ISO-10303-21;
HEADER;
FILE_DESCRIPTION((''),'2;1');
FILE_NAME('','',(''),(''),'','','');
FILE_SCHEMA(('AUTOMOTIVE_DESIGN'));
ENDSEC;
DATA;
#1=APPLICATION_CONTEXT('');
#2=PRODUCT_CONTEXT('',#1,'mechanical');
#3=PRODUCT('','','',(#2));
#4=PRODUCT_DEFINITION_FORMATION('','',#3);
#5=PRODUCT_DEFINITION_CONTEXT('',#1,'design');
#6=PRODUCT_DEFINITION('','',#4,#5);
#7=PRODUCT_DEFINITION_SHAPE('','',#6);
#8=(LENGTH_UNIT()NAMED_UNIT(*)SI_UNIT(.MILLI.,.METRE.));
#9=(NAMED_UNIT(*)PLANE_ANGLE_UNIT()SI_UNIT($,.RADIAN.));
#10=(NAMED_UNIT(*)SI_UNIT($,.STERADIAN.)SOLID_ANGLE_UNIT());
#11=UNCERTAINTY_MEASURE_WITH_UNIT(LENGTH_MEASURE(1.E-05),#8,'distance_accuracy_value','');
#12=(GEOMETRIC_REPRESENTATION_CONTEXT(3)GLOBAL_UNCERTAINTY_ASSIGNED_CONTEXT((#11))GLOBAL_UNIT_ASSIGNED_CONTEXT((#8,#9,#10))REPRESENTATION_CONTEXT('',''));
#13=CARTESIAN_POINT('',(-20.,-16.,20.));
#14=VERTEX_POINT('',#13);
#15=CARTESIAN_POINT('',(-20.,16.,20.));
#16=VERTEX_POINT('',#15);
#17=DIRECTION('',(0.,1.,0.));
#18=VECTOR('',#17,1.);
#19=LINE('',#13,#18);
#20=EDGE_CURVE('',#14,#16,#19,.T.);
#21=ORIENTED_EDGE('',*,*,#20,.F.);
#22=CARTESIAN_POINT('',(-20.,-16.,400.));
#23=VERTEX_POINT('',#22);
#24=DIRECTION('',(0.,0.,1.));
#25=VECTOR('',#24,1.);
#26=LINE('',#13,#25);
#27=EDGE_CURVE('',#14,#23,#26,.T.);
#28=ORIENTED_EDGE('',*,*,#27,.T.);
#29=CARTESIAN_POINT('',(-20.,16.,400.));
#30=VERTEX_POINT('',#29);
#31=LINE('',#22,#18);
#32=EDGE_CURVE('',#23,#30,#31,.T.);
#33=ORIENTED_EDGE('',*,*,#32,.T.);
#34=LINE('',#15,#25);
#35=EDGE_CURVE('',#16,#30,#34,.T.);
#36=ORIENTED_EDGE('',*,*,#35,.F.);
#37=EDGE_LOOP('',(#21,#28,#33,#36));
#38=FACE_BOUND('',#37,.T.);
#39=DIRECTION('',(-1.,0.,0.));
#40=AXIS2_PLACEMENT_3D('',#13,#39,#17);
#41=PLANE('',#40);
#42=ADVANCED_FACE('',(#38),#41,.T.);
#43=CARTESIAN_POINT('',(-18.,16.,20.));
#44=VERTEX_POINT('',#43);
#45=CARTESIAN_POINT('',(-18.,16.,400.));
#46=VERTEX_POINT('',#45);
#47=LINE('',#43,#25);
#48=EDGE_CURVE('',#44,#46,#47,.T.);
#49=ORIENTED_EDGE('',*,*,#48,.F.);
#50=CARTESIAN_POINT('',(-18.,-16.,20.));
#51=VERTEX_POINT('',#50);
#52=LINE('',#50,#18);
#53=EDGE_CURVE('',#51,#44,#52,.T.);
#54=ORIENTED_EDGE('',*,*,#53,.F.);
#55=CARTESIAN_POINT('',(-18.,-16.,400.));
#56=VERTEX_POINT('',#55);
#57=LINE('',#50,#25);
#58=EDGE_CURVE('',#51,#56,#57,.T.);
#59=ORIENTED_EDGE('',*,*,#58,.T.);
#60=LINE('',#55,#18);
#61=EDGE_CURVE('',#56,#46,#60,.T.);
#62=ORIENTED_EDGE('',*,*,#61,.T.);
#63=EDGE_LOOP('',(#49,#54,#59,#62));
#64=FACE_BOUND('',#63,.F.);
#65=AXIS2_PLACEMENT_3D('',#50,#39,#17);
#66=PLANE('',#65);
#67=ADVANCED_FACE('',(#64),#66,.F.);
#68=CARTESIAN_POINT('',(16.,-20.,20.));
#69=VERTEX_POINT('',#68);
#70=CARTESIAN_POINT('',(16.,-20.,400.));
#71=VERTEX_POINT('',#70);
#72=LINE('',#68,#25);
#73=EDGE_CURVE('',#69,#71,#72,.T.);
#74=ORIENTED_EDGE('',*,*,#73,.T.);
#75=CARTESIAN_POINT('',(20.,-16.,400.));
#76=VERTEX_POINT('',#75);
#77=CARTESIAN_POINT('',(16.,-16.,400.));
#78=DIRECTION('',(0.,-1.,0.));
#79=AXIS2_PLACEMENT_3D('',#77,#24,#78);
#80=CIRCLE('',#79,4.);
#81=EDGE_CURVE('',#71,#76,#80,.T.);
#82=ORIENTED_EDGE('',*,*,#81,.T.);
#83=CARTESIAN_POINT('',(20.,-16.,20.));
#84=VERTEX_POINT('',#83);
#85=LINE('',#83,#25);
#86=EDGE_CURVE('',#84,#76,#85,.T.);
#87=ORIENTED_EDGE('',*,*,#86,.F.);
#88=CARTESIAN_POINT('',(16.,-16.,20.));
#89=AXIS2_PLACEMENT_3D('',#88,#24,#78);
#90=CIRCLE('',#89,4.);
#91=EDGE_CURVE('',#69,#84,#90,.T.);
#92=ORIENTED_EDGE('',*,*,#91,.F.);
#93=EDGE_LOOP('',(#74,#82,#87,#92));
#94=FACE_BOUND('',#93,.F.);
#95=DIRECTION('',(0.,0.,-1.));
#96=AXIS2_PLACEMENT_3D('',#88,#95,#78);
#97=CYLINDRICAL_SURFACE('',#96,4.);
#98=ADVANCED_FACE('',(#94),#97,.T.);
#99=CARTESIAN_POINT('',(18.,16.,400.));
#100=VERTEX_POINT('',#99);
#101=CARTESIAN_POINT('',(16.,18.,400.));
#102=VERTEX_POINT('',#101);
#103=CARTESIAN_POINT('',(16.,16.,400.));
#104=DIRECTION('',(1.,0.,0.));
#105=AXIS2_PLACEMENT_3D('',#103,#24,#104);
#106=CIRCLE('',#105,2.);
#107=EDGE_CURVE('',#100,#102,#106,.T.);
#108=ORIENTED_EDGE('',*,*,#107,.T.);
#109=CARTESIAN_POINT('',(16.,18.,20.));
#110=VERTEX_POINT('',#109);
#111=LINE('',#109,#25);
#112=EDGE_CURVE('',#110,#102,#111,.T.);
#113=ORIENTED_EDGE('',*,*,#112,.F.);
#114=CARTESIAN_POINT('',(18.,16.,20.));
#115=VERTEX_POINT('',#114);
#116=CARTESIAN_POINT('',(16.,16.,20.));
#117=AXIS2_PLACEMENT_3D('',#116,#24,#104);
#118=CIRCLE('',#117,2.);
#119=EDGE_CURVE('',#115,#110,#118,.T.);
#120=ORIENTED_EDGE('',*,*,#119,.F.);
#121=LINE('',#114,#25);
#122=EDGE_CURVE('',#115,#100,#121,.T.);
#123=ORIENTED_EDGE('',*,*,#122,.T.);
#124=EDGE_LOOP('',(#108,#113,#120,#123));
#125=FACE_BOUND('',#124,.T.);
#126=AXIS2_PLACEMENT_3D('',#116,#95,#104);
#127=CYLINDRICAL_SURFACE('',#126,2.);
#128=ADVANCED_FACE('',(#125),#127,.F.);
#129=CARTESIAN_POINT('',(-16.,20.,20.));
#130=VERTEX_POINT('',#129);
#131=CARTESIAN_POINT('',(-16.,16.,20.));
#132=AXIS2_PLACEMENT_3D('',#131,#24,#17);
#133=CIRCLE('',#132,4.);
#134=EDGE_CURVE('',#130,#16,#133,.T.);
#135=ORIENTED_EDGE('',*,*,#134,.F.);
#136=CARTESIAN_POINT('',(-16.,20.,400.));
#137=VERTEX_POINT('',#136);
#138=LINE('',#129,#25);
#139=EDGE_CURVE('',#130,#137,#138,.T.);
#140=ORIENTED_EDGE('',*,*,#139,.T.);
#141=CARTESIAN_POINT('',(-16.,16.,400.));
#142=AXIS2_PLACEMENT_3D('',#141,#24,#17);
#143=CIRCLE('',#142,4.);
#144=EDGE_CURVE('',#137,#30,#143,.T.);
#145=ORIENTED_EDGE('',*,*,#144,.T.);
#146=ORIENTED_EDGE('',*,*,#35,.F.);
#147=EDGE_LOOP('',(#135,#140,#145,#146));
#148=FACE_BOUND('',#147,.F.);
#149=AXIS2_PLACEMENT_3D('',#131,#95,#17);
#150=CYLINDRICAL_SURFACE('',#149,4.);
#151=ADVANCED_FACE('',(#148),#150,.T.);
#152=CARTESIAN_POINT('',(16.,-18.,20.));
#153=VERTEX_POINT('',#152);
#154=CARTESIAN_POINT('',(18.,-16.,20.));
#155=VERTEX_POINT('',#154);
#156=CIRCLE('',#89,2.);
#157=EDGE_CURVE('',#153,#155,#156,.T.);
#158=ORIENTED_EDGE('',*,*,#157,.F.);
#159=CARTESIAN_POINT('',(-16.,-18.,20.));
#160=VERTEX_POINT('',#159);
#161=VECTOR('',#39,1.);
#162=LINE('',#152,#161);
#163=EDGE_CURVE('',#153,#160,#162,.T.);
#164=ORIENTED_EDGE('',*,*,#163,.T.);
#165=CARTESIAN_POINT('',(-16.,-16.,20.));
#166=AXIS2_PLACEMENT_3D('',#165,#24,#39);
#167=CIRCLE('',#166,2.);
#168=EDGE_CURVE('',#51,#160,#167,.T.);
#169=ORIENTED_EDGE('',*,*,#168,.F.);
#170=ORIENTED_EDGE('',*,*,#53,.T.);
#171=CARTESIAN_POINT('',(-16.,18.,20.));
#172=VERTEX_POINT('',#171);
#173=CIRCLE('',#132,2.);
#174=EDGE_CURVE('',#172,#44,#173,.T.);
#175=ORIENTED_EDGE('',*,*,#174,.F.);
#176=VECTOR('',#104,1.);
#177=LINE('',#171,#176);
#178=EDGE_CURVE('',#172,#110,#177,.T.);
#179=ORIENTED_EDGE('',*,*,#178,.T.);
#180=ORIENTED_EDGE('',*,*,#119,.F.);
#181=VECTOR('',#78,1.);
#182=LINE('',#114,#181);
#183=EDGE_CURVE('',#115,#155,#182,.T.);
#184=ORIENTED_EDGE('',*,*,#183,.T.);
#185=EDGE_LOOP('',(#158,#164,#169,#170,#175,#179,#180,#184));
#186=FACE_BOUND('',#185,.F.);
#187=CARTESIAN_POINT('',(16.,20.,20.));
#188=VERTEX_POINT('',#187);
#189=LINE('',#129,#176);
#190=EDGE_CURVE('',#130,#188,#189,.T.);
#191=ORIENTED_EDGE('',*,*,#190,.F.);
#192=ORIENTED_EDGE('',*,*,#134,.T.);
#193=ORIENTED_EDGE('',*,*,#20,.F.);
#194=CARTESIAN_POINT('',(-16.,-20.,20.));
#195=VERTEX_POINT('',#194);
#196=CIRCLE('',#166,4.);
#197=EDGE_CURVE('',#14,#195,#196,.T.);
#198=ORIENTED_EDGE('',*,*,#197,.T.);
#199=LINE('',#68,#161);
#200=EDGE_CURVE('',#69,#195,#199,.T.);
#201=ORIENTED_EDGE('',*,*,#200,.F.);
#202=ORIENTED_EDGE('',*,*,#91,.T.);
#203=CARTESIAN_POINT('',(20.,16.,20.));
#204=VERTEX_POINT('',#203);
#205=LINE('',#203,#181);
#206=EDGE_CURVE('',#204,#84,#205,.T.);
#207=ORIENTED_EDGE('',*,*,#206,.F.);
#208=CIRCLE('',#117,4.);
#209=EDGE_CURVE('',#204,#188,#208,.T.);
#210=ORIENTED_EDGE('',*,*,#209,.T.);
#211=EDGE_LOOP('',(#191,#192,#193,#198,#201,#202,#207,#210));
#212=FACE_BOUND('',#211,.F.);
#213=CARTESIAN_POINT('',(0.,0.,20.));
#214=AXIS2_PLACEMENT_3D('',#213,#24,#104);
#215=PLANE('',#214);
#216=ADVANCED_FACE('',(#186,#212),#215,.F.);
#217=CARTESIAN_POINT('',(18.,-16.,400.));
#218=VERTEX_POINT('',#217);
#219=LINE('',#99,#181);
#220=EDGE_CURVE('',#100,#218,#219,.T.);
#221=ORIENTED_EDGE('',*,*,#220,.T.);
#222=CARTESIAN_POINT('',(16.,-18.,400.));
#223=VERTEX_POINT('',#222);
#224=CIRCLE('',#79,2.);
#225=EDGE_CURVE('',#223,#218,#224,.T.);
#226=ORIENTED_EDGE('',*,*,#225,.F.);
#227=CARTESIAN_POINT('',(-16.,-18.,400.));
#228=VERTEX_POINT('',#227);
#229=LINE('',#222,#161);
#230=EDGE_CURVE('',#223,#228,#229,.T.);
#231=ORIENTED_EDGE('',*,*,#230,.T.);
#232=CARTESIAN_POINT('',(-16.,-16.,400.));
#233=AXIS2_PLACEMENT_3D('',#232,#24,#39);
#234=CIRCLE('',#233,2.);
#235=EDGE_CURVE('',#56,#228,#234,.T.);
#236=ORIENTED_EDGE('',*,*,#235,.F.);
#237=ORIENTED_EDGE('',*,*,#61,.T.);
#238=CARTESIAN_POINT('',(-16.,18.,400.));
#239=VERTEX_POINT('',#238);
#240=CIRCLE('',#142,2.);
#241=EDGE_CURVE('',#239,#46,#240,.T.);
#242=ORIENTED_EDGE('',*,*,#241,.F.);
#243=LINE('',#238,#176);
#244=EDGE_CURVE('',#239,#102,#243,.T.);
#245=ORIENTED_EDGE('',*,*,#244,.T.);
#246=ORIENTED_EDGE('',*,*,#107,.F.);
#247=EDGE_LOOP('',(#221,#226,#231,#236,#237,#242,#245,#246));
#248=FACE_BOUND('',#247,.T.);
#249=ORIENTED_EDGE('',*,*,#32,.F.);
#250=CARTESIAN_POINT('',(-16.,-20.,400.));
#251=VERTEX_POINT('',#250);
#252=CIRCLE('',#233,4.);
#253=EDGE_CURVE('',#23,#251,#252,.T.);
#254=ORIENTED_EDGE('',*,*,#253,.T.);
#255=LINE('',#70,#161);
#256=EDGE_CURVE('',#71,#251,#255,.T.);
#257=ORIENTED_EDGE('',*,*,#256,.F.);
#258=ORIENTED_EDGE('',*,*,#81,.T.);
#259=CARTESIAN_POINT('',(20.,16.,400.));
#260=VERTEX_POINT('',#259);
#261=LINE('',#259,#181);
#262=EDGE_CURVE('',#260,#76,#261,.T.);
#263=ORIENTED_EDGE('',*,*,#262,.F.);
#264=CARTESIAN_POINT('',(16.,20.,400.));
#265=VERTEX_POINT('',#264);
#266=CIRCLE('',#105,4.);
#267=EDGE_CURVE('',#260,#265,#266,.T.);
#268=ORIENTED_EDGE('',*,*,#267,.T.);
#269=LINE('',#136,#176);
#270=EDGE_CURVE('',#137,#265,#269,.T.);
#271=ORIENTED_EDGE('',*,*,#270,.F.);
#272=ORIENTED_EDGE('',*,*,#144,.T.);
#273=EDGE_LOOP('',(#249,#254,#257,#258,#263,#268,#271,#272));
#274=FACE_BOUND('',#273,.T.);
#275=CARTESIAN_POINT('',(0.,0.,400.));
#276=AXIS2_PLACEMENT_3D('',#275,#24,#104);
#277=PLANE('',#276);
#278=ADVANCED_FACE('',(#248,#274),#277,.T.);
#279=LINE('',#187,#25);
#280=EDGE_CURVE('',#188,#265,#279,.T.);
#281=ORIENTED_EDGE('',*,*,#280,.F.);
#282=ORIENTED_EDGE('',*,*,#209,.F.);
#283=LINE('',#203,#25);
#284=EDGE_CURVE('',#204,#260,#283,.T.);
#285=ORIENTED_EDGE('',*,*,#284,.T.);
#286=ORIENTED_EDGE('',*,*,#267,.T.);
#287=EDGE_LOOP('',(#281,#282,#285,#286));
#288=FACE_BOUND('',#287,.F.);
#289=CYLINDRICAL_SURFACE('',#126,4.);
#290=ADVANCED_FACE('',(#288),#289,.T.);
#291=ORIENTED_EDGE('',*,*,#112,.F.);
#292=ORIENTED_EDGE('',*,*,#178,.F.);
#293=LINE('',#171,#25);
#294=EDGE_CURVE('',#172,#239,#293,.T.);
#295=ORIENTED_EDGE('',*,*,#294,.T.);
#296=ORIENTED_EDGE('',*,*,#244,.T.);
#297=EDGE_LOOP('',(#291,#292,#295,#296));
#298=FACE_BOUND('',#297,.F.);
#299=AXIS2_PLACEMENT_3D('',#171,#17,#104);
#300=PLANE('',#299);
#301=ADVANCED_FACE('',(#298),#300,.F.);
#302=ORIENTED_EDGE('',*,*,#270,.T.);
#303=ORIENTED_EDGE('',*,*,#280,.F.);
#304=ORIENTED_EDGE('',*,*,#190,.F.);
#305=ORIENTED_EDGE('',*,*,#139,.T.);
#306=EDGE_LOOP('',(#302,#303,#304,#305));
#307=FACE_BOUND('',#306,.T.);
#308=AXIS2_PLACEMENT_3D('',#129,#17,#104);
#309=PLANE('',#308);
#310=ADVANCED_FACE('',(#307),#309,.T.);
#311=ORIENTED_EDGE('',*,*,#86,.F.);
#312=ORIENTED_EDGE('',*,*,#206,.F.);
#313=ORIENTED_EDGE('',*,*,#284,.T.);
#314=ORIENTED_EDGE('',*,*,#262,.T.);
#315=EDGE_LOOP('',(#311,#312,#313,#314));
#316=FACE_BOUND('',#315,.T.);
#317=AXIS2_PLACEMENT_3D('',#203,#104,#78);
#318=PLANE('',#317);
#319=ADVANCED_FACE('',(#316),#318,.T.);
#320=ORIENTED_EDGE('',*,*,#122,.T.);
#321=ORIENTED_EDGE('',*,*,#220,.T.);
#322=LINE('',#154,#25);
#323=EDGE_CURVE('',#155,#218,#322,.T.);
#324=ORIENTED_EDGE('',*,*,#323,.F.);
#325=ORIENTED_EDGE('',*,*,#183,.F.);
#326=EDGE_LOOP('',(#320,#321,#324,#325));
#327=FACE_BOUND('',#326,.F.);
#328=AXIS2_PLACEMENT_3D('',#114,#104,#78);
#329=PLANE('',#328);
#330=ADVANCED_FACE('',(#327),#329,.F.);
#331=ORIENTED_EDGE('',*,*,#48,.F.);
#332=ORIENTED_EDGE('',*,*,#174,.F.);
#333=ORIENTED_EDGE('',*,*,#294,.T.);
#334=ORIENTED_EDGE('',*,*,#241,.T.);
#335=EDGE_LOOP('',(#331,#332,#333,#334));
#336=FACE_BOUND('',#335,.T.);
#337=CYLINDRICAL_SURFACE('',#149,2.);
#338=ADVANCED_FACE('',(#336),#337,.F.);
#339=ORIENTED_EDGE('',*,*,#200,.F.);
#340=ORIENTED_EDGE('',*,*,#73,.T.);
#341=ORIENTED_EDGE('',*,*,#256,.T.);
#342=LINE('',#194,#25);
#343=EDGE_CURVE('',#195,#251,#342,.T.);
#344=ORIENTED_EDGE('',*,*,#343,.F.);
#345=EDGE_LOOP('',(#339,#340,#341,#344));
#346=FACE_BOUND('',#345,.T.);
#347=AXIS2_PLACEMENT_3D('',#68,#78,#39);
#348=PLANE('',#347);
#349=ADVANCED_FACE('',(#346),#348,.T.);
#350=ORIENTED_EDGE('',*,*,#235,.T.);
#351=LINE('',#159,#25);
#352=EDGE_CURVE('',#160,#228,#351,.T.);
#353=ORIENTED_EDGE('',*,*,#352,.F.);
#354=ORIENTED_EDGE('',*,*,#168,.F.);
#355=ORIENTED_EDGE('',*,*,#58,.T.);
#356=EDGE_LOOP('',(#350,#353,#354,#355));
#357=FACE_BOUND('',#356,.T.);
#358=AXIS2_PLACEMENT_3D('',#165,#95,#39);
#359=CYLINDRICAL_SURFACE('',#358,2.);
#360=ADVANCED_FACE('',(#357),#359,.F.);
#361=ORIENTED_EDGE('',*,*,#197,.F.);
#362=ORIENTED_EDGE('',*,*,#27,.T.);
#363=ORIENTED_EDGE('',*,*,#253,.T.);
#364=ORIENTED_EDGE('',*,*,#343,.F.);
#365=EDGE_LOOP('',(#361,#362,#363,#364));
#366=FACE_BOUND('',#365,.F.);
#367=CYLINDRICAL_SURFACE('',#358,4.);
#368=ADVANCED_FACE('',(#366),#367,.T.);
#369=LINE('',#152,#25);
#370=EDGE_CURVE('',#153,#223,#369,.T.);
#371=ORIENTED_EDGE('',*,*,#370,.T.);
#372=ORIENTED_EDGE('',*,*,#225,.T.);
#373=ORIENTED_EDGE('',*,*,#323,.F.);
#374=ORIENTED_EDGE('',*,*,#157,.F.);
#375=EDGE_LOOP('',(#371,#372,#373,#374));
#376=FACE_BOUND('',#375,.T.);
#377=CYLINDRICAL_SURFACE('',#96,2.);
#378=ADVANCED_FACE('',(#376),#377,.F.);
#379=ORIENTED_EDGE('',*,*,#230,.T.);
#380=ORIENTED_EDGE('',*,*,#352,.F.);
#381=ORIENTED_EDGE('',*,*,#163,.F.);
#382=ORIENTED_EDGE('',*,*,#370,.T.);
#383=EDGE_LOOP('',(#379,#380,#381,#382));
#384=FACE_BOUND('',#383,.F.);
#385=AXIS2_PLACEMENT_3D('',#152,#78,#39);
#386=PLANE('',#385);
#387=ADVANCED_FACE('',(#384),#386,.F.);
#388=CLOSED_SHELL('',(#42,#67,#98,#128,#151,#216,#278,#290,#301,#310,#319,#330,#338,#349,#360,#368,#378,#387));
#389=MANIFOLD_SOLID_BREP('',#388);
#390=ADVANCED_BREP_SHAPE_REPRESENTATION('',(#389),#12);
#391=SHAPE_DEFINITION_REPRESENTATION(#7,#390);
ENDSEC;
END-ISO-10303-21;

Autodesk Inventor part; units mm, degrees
ref_plane "YZ Plane" through (0, 0, 0) normal (1, 0, 0) x (0, 1, 0)
ref_plane "Start Plane" through (0, 0, 20) normal (0, 0, 1) x (1, 0, 0)
ref_plane "End Plane" through (0, 0, 400) normal (0, 0, 1) x (1, 0, 0)
sketch "Sketch" plane through (0, 0, 0) normal (0, 0, 1) x (1, 0, 0)
  line L0 (-20, -16) -> (-20, 16)
  line L1 (-16, 20) -> (16, 20)
  line L2 (20, 16) -> (20, -16)
  line L3 (16, -20) -> (-16, -20)
  arc A0 (-20, -16) -> (-16, -20) centre (-16, -16) ccw
  arc A1 (20, 16) -> (16, 20) centre (16, 16) ccw
  arc A2 (-16, 20) -> (-20, 16) centre (-16, 16) ccw
  arc A3 (16, -20) -> (20, -16) centre (16, -16) ccw
  arc A4 (-16, 18) -> (-18, 16) centre (-16, 16) ccw
  line L4 (-16, 18) -> (16, 18)
  arc A5 (18, 16) -> (16, 18) centre (16, 16) ccw
  line L5 (18, 16) -> (18, -16)
  arc A6 (16, -18) -> (18, -16) centre (16, -16) ccw
  line L6 (16, -18) -> (-16, -18)
  arc A7 (-18, -16) -> (-16, -18) centre (-16, -16) ccw
  line L7 (-18, -16) -> (-18, 16)
  line L8 (0, 29.1598) -> (0, -29.1598) construction
  line L9 (-29.1598, 0) -> (29.1598, 0) construction
  dimension "d7" = 4
  dimension "d9" = 40
  dimension "d11" = 40
  dimension "d12" = 2
  dimension "d15" = 20
  dimension "d16" = 20
extrude "Body" add sketch "Sketch" along normal up to surface (380 mm away) from surface at 20
sketch "Sketch3" plane through (0, 0, 0) normal (0, 0, 1) x (1, 0, 0)
  line L0 (0, 0) -> (10, 0)
ref_plane "Work Plane3" through (0, 0, 0) normal (0, -1, 0) x (1, 0, 0)
sketch "Sketch4" plane through (0, 0, 0) normal (0, -1, 0) x (1, 0, 0)
  line L0 (-2, 20) -> (12, 20) projected
  line L1 (-2, 400) -> (12, 400) projected
  dimension "d18" = 380
equation "\"d7\" = G_IR"
equation "\"d9\" = G_W"
equation "\"d11\" = G_H"
equation "\"d12\" = G_T"
equation "\"d15\" = 0.5 * d9"
equation "\"d16\" = 0.5 * d11"
equation "\"d3\" = G_L"
equation "\"G_W\" = 40"
equation "\"G_H\" = 40"
equation "\"G_T\" = 2"
equation "\"G_IR\" = 4"
equation "\"G_L\" = d18"
properties part number "ISO 10799-2 - 40x40x2 - 380" material "Steel, Mild"
